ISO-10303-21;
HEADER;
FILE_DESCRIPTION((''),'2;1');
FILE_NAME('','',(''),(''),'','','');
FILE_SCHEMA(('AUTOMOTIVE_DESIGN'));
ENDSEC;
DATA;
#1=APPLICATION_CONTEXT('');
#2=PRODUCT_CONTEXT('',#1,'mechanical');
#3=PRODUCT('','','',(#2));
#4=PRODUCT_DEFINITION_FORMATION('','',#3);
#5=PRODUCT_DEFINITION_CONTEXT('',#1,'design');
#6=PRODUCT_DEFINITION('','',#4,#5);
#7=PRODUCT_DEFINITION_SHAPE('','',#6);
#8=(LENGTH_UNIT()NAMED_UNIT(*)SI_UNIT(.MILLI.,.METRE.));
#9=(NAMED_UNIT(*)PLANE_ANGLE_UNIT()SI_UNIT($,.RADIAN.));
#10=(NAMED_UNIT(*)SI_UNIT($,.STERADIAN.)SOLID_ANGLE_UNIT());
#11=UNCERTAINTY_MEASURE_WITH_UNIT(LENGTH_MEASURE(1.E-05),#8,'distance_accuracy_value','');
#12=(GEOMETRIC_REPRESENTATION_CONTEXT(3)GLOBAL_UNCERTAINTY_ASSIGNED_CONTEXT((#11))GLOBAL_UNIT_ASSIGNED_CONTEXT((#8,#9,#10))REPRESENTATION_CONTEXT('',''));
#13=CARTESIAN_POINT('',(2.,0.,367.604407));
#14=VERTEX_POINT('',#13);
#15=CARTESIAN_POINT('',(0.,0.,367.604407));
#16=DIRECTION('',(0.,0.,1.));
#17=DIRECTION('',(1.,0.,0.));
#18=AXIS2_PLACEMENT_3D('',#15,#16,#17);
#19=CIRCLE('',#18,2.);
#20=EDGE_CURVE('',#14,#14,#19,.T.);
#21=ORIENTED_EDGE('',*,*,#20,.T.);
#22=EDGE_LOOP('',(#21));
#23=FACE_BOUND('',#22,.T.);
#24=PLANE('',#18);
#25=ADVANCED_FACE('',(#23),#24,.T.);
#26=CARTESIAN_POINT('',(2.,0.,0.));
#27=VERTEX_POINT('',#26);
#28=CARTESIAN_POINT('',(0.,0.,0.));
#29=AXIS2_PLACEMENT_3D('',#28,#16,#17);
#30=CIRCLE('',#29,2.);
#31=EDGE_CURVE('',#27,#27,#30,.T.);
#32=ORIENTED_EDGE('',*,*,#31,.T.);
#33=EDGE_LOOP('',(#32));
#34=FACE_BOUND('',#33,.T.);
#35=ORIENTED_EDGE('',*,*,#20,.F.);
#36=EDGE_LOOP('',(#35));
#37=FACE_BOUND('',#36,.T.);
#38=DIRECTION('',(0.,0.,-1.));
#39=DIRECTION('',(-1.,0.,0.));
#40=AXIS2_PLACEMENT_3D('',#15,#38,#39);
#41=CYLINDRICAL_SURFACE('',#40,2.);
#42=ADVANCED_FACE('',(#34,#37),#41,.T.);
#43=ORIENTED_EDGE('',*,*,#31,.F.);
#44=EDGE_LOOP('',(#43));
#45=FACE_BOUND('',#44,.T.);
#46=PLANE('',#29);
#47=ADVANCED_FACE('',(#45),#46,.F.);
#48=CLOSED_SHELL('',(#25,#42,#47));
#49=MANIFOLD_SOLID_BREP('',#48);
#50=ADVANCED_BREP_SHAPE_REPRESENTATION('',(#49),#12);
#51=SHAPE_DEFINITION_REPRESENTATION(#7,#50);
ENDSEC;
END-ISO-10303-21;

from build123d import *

# Parameters (mm, degrees)
SKETCH_1_R                        = 2
DRIVER_POWER_CABLE_ENVELOPE_DEPTH = 367.604406938


with BuildPart() as part:
    # 草图1 → Driver_power_cable_envelope (new body)
    with BuildSketch(Plane.XY):
        Circle(SKETCH_1_R)
    extrude(amount=DRIVER_POWER_CABLE_ENVELOPE_DEPTH)


solid = part.part
